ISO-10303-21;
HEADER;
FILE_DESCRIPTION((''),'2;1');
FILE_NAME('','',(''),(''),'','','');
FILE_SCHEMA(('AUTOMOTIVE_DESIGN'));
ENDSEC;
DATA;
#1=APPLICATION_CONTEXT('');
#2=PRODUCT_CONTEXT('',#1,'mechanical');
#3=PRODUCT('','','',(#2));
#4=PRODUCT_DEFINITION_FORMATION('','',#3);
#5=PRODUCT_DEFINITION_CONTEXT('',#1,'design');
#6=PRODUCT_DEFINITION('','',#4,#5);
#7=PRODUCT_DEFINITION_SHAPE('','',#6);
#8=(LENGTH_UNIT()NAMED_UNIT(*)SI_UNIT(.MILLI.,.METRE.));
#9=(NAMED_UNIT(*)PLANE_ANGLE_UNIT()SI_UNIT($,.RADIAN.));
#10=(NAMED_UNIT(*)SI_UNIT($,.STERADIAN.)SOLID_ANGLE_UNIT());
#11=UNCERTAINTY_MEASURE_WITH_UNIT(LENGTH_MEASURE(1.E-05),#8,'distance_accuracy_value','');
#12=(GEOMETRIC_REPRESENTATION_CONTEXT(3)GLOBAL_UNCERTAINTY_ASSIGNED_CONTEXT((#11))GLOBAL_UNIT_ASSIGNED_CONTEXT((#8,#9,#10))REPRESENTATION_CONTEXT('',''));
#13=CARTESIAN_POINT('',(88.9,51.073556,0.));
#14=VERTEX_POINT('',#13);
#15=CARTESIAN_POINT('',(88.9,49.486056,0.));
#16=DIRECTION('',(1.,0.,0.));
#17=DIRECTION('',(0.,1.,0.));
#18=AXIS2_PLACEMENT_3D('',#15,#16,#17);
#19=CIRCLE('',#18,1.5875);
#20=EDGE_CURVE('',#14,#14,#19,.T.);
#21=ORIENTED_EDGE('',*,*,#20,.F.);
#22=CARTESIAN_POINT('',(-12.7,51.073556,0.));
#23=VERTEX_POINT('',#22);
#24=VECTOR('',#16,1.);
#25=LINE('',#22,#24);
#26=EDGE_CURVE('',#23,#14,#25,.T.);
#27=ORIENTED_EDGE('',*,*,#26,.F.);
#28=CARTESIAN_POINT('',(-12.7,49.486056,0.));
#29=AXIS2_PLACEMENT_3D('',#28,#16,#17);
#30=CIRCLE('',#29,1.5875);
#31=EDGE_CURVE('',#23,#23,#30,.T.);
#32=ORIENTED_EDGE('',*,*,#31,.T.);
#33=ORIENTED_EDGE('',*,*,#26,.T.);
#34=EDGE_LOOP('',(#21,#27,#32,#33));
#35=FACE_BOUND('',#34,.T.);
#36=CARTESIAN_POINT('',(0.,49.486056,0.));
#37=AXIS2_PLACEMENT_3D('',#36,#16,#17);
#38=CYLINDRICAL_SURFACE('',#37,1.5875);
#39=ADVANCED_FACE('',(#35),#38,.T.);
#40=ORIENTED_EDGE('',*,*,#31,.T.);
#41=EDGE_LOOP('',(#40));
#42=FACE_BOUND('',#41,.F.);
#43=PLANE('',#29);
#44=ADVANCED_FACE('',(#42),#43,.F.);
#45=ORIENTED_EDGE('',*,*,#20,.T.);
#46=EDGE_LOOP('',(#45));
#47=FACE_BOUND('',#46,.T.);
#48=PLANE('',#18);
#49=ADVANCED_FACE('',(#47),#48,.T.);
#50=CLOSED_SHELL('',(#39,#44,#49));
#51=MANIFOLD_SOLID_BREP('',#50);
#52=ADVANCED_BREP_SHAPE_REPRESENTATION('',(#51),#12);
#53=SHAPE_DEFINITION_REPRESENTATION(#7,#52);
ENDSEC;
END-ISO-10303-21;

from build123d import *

# Parameters (mm, degrees)
F0_R          = 1.5875
F1_DEPTH      = 88.9
F1_DEPTH_BACK = 12.7


with BuildPart() as f1:
    # F0 (on Right) → F1 (new body, two sides)
    with BuildSketch(Plane.YZ) as f1_sk:
        with Locations((49.486056, 0)):
            Circle(F0_R)
    extrude(amount=F1_DEPTH)
    extrude(f1_sk.sketch, amount=-F1_DEPTH_BACK)


solid = f1.part
